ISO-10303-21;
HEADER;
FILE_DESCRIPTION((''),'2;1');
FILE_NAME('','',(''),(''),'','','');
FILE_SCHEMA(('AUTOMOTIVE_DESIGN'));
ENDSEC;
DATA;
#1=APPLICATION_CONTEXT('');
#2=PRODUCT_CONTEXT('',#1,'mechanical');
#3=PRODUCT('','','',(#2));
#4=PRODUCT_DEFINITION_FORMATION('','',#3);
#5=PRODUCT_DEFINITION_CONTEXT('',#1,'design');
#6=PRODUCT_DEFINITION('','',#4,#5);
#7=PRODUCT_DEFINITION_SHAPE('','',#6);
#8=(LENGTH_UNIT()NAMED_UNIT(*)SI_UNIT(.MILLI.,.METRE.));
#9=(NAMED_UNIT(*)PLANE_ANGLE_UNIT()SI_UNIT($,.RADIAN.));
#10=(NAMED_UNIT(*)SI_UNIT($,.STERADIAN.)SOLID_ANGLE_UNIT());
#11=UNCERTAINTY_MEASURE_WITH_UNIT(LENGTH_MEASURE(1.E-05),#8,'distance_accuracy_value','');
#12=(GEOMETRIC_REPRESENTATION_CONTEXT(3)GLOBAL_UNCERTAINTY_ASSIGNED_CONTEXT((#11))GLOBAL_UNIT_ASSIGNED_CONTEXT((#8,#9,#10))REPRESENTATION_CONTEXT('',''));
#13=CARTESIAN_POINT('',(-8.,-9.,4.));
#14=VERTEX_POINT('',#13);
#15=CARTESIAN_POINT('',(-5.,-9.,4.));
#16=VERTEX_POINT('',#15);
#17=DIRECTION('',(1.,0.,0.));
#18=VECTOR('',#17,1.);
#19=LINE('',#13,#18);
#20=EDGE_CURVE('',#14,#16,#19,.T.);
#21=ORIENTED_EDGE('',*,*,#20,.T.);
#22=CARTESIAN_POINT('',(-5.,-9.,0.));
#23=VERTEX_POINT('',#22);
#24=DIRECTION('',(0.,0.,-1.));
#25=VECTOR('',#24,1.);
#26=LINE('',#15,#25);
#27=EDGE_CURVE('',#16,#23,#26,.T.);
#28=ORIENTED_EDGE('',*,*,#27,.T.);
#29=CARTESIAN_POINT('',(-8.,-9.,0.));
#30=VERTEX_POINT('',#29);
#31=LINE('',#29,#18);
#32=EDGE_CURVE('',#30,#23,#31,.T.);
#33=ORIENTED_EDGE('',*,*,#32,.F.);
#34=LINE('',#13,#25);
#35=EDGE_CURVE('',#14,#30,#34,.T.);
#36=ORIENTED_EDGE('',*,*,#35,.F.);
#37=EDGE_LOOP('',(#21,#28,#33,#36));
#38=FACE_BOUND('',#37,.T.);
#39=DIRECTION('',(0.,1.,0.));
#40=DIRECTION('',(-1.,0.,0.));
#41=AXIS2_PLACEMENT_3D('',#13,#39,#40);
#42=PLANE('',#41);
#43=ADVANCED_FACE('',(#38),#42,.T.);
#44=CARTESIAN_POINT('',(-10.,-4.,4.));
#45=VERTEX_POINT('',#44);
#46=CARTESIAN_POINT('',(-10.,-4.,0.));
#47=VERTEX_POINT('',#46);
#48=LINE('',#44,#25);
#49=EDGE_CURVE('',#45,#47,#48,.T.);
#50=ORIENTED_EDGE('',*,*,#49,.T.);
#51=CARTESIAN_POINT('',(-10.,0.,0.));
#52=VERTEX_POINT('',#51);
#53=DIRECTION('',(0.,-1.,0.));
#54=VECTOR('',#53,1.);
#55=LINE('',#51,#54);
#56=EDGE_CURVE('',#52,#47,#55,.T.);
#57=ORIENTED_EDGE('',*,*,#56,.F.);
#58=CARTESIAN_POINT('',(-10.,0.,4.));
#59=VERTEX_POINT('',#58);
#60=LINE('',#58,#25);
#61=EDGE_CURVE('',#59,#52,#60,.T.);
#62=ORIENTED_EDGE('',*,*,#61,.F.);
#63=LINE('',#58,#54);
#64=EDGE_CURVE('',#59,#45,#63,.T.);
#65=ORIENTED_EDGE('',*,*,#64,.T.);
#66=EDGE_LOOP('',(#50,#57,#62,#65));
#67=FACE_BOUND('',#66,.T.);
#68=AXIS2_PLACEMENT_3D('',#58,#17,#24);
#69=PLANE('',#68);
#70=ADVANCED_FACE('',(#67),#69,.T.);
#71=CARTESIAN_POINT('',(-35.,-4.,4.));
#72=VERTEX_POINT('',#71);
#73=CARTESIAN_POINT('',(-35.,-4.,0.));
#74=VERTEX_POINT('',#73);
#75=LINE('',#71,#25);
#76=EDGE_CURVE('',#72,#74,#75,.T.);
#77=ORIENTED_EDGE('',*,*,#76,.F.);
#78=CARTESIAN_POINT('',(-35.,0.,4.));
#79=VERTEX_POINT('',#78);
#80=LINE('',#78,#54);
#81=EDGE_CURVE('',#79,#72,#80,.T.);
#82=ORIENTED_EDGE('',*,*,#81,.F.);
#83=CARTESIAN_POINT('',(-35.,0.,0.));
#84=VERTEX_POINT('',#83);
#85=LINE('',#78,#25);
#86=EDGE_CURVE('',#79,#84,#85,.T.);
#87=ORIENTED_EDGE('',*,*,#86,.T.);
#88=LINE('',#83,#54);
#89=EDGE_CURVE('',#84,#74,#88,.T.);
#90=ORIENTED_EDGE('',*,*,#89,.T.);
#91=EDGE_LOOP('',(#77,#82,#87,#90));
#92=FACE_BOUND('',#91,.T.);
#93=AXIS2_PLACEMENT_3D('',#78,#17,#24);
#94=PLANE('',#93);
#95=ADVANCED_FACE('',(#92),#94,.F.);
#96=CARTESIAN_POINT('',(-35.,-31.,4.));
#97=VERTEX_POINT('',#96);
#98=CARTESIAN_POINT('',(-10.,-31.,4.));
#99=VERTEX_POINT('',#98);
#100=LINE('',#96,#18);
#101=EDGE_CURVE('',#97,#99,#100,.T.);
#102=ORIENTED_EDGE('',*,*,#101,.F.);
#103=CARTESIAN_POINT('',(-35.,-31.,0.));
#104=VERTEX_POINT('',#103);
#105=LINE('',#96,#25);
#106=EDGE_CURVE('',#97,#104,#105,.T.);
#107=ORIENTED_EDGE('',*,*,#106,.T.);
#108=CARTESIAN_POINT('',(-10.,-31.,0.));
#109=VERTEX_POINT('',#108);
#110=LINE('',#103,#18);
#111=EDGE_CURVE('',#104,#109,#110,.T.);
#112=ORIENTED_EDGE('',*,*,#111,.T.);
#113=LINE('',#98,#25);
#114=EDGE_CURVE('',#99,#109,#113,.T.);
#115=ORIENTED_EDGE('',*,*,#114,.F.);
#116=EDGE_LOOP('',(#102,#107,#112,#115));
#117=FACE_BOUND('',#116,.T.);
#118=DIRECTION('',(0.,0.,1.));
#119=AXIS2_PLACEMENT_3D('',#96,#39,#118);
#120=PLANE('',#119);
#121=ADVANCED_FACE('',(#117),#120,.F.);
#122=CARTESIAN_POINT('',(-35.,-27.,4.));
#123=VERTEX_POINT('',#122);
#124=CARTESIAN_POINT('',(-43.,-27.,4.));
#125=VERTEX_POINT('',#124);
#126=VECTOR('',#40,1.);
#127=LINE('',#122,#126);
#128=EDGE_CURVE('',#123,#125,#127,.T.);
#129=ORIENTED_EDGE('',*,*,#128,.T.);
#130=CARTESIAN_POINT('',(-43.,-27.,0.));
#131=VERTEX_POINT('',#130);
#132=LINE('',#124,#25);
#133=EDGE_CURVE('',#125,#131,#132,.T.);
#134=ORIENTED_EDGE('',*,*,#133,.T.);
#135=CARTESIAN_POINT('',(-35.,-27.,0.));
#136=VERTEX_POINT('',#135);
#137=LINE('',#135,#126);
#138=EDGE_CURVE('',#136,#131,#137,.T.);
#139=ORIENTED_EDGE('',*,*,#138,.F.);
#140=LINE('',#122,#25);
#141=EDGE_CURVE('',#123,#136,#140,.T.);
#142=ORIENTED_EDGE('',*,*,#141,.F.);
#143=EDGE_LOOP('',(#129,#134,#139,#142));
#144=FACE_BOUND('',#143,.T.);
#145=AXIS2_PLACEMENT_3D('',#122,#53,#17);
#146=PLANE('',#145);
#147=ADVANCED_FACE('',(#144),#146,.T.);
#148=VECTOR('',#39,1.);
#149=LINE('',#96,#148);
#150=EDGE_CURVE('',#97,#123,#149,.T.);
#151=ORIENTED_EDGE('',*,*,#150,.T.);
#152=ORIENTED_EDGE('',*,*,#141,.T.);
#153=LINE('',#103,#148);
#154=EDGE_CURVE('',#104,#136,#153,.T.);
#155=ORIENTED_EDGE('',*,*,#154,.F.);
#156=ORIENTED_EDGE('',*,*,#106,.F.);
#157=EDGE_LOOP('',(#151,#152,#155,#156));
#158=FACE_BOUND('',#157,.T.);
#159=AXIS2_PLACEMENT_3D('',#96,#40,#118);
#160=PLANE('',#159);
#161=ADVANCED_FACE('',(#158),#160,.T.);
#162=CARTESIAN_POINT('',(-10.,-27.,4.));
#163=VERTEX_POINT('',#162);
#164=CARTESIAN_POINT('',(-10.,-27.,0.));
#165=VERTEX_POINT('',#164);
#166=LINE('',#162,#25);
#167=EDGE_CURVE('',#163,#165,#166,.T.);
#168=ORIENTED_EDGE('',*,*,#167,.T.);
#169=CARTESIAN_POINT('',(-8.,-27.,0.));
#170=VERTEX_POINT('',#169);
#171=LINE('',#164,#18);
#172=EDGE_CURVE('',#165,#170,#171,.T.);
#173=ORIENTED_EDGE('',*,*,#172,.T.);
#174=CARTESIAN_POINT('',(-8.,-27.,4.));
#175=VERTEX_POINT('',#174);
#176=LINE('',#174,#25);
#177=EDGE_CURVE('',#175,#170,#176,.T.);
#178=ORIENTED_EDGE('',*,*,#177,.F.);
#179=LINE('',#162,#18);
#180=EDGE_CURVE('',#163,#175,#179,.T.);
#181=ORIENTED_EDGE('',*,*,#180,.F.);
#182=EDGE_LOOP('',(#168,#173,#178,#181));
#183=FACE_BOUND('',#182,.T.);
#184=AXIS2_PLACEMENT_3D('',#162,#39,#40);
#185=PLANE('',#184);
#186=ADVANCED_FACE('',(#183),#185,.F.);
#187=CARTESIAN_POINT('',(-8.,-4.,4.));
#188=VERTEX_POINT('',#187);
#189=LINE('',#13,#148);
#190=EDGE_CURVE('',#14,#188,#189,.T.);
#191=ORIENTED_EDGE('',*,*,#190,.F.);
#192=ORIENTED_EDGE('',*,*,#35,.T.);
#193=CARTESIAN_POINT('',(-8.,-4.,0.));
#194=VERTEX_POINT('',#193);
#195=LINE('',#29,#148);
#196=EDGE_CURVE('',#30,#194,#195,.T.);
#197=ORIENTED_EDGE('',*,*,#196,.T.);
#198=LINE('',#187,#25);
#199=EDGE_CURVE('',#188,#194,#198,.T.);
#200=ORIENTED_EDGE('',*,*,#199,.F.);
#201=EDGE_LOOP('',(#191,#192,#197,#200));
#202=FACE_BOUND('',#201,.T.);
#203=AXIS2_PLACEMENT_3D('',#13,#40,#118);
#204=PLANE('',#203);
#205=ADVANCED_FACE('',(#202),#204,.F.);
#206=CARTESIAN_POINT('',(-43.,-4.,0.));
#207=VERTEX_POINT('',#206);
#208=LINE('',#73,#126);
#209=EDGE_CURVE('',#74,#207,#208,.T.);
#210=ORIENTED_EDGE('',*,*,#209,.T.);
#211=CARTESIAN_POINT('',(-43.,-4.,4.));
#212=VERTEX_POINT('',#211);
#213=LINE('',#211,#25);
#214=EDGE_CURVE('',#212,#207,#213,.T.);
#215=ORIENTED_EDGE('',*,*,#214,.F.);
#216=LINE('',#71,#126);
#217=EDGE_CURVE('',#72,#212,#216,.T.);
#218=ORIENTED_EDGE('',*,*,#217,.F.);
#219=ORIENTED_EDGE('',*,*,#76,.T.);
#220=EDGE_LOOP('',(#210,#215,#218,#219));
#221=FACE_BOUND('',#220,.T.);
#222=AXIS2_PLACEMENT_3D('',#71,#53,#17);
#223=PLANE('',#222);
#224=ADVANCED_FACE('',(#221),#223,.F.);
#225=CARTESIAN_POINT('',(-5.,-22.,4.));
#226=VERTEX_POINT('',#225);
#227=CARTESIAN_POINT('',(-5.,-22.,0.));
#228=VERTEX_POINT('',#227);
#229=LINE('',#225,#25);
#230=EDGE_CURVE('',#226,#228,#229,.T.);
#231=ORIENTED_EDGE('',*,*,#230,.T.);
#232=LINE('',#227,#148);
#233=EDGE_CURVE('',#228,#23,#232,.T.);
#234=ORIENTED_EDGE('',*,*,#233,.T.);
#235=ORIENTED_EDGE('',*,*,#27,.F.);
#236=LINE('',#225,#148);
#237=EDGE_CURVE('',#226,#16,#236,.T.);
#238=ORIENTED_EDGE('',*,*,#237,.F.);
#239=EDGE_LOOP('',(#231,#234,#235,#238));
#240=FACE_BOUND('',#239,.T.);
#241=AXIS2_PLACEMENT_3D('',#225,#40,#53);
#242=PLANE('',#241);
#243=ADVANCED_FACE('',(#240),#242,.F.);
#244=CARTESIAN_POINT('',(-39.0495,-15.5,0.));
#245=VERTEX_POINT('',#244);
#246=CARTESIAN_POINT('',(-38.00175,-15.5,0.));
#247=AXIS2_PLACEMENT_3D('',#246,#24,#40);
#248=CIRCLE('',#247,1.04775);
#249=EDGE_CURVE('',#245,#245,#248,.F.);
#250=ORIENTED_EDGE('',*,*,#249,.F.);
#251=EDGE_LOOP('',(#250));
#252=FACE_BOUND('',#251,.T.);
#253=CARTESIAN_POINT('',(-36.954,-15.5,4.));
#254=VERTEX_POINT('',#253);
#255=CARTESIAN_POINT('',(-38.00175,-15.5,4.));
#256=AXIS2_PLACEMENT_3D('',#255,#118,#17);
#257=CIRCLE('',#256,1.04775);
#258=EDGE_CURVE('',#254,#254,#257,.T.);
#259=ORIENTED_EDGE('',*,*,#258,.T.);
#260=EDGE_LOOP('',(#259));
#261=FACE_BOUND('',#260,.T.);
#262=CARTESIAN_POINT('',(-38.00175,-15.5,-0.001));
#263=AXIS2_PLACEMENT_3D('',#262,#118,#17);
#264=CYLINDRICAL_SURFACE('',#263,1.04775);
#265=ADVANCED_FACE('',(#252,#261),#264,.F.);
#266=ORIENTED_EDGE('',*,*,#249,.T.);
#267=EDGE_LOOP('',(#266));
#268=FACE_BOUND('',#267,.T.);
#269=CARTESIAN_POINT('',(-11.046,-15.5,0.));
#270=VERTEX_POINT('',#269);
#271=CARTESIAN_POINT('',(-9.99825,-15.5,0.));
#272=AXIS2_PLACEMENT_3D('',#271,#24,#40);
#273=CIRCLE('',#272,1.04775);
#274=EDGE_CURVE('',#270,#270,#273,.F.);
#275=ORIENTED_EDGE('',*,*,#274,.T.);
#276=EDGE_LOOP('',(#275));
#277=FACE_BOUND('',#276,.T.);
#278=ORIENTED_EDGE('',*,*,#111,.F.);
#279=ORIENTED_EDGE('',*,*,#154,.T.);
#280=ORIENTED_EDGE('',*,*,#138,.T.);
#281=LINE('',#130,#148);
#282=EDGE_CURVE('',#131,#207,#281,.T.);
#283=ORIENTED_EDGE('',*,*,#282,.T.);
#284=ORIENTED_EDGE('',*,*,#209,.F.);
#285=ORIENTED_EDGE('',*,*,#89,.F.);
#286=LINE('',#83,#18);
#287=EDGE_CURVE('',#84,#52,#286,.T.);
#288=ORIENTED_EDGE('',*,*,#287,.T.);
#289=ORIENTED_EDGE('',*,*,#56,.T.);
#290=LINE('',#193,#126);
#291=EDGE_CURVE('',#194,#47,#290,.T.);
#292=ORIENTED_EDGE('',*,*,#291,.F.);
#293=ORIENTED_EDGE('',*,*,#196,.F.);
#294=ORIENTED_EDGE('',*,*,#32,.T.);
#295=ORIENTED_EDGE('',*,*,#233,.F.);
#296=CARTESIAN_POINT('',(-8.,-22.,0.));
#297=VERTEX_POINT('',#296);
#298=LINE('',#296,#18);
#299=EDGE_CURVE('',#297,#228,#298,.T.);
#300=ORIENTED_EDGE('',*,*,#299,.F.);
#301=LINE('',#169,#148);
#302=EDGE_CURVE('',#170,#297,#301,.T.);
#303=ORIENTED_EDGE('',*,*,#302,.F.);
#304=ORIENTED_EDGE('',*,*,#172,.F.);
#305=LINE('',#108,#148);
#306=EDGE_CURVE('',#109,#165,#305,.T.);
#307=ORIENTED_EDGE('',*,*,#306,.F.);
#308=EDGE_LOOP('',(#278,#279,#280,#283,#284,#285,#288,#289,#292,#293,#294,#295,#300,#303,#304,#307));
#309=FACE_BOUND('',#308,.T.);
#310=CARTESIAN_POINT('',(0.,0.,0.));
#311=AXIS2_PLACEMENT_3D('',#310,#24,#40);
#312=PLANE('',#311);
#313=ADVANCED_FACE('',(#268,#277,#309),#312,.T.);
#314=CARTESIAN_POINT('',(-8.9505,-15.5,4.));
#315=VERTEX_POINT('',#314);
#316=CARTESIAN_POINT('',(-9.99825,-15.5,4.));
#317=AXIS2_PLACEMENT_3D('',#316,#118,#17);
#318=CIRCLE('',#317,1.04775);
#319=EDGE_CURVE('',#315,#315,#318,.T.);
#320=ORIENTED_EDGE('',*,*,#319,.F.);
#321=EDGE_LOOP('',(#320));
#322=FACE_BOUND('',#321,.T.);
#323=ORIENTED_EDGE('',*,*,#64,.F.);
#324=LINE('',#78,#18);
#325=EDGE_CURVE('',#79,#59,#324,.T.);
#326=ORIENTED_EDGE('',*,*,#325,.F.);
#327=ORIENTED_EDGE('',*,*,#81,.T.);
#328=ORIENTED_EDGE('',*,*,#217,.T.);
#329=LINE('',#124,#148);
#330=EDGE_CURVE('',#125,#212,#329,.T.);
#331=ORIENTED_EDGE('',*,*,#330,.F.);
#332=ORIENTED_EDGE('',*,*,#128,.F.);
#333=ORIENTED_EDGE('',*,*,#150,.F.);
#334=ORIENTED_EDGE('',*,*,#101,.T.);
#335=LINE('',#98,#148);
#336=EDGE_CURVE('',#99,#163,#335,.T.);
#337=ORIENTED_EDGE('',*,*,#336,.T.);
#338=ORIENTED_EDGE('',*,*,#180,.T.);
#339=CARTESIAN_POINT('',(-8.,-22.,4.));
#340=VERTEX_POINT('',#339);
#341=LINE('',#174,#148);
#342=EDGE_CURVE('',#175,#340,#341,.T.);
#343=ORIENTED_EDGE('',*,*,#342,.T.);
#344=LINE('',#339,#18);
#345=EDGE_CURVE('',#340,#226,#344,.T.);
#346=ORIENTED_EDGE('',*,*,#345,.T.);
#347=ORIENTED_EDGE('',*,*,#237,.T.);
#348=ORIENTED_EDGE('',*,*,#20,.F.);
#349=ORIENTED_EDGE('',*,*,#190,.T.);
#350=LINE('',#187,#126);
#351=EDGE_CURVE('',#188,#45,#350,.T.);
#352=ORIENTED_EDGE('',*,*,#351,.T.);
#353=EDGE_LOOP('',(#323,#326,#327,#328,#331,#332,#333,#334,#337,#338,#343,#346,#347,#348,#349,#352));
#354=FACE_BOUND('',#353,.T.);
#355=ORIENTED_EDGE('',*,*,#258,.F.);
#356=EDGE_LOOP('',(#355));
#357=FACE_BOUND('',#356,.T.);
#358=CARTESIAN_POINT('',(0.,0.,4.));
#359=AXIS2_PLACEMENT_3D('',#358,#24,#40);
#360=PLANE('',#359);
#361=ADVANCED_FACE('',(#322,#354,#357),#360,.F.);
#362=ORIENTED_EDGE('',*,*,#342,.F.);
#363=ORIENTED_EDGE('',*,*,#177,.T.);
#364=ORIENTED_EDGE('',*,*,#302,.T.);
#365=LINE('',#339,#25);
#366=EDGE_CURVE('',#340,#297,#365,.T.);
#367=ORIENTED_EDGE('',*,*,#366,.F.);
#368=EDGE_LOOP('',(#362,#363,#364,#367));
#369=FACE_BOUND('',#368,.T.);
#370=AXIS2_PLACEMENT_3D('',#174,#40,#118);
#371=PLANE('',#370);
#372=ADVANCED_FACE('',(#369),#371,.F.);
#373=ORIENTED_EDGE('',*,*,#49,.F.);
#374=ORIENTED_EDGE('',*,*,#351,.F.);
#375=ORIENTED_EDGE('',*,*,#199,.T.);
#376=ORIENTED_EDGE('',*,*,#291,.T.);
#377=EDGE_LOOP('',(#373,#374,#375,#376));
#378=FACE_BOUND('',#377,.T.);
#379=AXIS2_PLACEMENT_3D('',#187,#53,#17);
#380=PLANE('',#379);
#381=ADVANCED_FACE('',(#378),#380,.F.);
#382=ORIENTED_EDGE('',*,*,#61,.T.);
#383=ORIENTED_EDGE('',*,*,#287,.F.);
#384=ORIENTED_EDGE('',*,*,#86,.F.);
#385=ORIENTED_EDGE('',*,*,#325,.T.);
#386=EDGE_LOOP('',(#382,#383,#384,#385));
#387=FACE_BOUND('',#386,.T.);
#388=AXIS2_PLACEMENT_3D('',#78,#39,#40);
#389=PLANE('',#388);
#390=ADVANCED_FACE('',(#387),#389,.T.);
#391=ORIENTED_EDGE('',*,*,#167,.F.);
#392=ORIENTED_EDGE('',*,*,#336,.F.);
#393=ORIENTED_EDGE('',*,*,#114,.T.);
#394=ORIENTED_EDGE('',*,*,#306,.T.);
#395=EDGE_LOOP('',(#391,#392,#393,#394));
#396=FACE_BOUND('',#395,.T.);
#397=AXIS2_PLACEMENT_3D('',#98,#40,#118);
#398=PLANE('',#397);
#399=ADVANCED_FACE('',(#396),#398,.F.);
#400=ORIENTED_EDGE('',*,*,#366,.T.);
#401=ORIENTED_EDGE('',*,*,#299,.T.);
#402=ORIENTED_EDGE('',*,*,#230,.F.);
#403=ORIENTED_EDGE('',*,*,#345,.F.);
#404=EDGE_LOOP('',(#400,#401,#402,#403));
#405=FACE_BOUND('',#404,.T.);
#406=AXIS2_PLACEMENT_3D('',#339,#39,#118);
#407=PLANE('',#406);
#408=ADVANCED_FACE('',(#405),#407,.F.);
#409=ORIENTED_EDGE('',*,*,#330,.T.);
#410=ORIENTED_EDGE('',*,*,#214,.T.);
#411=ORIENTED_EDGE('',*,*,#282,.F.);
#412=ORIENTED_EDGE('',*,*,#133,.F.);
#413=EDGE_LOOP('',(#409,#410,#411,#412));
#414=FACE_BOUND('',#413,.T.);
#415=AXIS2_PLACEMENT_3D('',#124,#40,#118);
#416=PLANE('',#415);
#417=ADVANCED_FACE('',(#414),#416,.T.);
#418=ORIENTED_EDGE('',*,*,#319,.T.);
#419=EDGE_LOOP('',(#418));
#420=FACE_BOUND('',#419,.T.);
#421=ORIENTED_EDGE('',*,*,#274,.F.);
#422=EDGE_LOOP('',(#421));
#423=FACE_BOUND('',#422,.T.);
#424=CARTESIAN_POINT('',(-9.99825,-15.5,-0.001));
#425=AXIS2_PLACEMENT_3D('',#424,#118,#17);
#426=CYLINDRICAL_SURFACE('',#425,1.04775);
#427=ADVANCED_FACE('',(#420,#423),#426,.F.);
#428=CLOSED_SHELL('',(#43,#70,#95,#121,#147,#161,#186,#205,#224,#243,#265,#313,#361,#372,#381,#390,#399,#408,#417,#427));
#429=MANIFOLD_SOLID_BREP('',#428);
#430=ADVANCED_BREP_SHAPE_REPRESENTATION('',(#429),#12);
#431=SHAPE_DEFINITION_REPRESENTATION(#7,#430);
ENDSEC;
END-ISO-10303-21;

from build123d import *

# Parameters (mm, degrees)
SALIENTE_EXTRUIR1_DEPTH = 4
CORTAR_EXTRUIR1_REACH   = 55.16
CROQUIS2_R              = 1.04775


with BuildPart() as part:
    # Croquis1 → Saliente-Extruir1 (new body)
    with BuildSketch(Plane.XY):
        Polygon((-35, 0), (-35, -4), (-43, -4), (-43, -27), (-35, -27), (-35, -31), (-10, -31), (-10, -27), (-8, -27), (-8, -22), (-5, -22), (-5, -9), (-8, -9), (-8, -4), (-10, -4), (-10, 0), align=None)
    extrude(amount=SALIENTE_EXTRUIR1_DEPTH)

    # Croquis2 → Cortar-Extruir1 (cut, up to next)
    with BuildSketch(Plane.XY.offset(4), mode=Mode.PRIVATE) as cortar_extruir1_sk1:
        with Locations((-38.00175, -15.5)):
            Circle(CROQUIS2_R)
    cortar_extruir1_tool1 = extrude(cortar_extruir1_sk1.sketch, amount=-CORTAR_EXTRUIR1_REACH, mode=Mode.PRIVATE) & part.part
    # Croquis2 → Cortar-Extruir1 (cut, up to next)
    with BuildSketch(Plane.XY.offset(4), mode=Mode.PRIVATE) as cortar_extruir1_sk2:
        with Locations((-9.99825, -15.5)):
            Circle(CROQUIS2_R)
    cortar_extruir1_tool2 = extrude(cortar_extruir1_sk2.sketch, amount=-CORTAR_EXTRUIR1_REACH, mode=Mode.PRIVATE) & part.part
    add(cortar_extruir1_tool1.solids().sort_by_distance((-38.00175, -15.5, 4))[0], mode=Mode.SUBTRACT)
    add(cortar_extruir1_tool2.solids().sort_by_distance((-9.99825, -15.5, 4))[0], mode=Mode.SUBTRACT)


solid = part.part
